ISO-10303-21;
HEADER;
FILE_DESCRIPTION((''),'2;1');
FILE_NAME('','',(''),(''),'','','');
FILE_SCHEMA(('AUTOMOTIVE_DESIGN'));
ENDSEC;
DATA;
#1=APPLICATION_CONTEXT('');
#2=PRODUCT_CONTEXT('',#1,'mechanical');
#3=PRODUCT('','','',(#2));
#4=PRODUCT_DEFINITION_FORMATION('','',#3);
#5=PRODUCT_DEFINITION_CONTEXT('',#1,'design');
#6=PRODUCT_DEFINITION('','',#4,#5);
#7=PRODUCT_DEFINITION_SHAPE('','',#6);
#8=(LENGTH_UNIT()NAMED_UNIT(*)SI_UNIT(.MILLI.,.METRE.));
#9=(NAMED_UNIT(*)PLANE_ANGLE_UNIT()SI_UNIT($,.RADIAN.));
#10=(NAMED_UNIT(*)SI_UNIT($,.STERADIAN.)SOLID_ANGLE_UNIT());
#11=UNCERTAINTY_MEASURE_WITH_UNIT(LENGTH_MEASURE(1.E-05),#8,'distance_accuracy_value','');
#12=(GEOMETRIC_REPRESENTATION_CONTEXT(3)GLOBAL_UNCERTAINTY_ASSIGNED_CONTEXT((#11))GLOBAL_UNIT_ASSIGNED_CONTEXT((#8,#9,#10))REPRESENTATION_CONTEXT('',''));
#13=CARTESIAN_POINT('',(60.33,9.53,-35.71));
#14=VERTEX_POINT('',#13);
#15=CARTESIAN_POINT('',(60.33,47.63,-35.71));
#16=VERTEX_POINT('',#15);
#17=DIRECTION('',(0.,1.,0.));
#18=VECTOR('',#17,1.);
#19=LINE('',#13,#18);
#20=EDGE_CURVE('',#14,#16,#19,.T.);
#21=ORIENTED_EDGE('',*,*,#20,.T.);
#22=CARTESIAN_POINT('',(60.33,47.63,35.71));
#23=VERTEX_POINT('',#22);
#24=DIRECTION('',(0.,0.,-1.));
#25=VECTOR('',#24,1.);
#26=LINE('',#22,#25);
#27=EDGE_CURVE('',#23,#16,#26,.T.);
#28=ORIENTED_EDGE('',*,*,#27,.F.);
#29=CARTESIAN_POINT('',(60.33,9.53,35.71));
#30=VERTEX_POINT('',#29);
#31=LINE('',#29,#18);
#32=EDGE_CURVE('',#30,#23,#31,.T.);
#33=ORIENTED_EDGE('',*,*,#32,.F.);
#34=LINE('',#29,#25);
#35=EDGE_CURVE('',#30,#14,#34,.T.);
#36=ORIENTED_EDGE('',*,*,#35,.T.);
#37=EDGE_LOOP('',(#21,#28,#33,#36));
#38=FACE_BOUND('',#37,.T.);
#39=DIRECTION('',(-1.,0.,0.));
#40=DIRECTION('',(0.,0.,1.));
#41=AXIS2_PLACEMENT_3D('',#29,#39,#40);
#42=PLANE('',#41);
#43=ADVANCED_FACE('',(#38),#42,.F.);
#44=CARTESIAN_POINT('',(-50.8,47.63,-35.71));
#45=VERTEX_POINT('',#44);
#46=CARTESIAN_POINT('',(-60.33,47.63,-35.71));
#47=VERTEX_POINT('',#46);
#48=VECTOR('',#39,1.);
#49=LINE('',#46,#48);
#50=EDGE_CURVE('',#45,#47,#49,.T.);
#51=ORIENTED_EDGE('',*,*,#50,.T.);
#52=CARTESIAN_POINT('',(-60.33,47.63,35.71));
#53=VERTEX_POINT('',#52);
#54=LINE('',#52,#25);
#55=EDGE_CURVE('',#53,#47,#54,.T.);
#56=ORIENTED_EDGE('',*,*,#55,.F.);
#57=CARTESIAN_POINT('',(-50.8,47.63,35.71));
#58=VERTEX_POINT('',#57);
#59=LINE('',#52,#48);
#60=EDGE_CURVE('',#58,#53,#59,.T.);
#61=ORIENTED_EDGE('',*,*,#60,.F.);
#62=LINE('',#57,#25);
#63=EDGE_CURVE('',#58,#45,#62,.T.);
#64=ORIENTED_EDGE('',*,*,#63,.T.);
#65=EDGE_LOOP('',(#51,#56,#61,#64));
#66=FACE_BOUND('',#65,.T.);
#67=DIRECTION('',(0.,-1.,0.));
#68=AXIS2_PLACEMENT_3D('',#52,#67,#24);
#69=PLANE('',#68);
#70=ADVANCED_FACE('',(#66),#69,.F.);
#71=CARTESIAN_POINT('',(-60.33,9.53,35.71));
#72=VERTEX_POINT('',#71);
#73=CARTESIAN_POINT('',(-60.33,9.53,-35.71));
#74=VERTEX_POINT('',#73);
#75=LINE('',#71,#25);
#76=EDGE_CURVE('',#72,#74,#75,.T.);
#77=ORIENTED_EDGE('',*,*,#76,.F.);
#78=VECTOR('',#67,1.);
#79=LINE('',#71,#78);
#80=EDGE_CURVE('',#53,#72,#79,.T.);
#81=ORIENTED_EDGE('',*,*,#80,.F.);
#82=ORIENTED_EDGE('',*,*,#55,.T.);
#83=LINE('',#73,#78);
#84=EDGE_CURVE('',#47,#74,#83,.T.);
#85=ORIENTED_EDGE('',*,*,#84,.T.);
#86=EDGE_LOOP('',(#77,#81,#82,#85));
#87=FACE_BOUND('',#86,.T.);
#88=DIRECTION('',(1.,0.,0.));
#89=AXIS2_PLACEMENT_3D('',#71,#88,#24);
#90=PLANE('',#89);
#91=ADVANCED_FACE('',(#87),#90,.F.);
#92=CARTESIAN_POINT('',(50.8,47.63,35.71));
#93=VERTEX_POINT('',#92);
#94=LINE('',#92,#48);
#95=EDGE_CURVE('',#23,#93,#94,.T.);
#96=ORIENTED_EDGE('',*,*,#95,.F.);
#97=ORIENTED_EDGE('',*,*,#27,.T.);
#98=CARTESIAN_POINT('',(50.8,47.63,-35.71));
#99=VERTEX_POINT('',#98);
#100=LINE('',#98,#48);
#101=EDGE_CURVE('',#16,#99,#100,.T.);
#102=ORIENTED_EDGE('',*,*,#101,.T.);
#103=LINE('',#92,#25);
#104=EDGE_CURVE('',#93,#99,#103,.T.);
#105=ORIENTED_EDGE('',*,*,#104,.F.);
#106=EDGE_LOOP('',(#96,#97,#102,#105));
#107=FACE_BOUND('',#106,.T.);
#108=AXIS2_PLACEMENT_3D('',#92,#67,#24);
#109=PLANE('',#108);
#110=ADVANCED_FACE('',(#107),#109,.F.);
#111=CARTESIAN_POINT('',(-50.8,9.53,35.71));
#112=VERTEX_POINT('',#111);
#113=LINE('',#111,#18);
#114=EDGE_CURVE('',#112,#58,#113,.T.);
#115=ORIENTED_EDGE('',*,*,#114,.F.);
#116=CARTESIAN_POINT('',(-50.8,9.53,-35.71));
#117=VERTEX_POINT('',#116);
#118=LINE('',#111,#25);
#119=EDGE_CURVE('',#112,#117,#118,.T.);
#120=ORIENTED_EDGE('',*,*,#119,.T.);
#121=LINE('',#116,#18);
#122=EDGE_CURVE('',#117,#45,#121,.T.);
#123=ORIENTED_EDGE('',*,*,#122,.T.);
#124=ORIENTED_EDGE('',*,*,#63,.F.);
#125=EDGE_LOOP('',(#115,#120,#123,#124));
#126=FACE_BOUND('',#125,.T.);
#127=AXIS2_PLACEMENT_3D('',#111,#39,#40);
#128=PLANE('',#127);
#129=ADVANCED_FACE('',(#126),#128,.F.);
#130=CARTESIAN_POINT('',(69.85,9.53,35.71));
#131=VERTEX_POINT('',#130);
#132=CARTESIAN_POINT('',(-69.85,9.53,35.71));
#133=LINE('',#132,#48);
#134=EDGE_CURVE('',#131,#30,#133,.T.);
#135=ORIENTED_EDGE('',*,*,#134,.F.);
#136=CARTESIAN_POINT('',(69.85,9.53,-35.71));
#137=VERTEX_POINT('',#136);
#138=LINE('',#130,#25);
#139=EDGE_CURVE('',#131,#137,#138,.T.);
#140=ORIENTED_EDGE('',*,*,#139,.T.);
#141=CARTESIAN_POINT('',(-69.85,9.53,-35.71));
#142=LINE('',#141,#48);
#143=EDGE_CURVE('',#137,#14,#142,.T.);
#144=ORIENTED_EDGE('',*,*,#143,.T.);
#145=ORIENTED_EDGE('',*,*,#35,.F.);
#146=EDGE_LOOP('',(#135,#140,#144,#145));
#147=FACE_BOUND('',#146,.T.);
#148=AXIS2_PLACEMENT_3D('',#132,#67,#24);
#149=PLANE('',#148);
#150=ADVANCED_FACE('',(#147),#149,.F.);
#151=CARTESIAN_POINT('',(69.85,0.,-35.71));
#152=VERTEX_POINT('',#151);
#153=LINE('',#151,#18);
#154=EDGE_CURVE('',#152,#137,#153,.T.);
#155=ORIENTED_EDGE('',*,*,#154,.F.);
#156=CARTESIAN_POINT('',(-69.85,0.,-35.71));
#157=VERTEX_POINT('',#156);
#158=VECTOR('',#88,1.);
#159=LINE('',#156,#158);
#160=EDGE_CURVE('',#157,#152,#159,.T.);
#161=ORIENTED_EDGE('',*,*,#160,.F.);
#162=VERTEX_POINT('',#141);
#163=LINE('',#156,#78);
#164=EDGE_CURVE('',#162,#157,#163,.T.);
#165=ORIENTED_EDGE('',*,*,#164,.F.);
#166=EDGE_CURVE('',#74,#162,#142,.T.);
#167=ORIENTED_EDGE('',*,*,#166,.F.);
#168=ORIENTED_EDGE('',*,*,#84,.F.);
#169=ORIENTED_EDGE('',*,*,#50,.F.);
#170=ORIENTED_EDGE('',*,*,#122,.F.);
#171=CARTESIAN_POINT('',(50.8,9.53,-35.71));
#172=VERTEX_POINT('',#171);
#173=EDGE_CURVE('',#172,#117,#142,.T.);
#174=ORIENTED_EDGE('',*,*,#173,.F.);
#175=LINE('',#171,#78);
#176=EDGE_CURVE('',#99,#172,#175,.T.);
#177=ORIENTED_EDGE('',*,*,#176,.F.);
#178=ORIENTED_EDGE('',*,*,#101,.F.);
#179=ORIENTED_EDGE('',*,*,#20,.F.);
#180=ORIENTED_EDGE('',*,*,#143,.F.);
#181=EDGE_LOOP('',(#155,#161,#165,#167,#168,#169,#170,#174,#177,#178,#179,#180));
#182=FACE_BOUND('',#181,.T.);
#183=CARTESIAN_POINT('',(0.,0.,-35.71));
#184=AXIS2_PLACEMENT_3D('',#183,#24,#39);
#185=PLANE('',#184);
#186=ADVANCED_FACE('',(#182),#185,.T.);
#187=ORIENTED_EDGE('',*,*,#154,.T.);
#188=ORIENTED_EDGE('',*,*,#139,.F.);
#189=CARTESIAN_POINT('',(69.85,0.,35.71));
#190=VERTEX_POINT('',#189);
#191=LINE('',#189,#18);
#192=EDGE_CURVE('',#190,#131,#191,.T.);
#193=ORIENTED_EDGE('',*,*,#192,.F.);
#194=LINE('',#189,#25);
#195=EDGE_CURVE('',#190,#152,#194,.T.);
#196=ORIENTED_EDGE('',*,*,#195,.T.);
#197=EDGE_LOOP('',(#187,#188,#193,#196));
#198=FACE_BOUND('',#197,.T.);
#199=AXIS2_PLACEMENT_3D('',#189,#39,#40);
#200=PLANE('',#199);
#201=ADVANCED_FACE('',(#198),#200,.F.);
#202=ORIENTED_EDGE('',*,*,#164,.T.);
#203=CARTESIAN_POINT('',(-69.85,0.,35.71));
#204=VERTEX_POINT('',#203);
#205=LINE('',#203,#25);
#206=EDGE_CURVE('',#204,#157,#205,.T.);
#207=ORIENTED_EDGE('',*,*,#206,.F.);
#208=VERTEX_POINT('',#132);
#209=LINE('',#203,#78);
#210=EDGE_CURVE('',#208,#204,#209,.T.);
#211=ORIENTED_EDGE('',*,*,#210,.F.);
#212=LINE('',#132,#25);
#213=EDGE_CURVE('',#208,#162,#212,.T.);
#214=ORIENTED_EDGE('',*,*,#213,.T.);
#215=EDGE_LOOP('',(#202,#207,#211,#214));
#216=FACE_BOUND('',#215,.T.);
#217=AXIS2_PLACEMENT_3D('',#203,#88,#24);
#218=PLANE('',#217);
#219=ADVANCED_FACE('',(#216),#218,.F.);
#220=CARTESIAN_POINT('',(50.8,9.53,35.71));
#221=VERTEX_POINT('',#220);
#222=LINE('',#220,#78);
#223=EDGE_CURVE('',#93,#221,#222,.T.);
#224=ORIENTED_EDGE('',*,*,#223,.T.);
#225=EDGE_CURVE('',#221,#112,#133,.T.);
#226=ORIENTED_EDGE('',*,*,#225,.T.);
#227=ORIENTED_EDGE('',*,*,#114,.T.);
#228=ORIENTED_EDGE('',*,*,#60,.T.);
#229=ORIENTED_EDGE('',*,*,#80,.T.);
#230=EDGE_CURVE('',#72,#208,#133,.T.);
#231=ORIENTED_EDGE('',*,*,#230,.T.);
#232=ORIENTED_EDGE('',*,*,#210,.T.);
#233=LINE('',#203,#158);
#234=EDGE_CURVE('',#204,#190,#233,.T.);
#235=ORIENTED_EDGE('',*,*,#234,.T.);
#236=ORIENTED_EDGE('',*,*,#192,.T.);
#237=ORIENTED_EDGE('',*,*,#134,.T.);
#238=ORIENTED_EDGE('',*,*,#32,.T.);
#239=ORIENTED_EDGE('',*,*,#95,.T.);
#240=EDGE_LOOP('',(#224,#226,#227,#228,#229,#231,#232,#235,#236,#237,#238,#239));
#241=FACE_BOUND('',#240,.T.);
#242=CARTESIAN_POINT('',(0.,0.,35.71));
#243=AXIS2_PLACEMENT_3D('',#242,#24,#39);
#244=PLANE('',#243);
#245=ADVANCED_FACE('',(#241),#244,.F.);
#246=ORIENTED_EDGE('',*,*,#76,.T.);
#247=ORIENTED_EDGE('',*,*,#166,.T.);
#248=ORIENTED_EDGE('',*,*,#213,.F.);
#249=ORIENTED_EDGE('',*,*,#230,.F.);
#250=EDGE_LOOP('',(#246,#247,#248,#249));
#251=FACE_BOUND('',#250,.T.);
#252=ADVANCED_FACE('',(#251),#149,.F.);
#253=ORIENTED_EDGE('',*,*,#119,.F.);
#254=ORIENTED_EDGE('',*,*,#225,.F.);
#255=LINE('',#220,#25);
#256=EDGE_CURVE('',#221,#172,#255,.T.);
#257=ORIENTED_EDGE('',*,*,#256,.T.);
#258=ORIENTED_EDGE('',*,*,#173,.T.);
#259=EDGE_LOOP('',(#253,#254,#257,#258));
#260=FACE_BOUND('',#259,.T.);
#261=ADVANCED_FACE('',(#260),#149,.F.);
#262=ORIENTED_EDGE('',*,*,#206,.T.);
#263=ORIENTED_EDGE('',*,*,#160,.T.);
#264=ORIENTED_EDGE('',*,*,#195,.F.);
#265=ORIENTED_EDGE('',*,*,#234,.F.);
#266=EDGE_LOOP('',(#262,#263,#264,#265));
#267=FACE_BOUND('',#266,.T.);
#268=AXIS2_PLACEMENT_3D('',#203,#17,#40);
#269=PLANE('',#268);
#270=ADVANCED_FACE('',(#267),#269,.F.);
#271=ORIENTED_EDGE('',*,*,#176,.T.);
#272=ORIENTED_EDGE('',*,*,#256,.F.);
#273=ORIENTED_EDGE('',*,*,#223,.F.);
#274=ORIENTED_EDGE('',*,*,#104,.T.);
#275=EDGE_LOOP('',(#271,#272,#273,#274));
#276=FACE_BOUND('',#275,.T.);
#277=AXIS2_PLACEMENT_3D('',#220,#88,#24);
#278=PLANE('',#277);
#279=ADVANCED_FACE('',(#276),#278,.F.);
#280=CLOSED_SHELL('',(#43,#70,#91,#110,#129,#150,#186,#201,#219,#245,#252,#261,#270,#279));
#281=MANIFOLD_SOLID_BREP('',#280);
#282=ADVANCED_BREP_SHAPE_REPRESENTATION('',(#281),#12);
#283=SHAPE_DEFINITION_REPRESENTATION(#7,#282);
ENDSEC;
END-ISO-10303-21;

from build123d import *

# Parameters (mm, degrees)
SKETCH1_W    = 139.7
SKETCH1_H    = 9.53
BLOCK1_DEPTH = 71.42
SKETCH2_W    = 9.53
SKETCH2_H    = 38.1
BLOCK2_DEPTH = 71.42
SKETCH3_W    = 9.53
SKETCH3_H    = 38.1
BLOCK3_DEPTH = 71.42


with BuildPart() as part:
    # Sketch1 → Block1 (new body)
    with BuildSketch(Plane.XY.offset(-35.71)):
        with Locations((0, 4.765)):
            Rectangle(SKETCH1_W, SKETCH1_H)
    extrude(amount=BLOCK1_DEPTH)

    # Sketch2 → Block2 (add)
    with BuildSketch(Plane.XY.offset(-35.71)):
        with Locations((-55.565, 28.58)):
            Rectangle(SKETCH2_W, SKETCH2_H)
    extrude(amount=BLOCK2_DEPTH)

    # Sketch3 → Block3 (add)
    with BuildSketch(Plane.XY.offset(-35.71)):
        with Locations((55.565, 28.58)):
            Rectangle(SKETCH3_W, SKETCH3_H)
    extrude(amount=BLOCK3_DEPTH)


solid = part.part
